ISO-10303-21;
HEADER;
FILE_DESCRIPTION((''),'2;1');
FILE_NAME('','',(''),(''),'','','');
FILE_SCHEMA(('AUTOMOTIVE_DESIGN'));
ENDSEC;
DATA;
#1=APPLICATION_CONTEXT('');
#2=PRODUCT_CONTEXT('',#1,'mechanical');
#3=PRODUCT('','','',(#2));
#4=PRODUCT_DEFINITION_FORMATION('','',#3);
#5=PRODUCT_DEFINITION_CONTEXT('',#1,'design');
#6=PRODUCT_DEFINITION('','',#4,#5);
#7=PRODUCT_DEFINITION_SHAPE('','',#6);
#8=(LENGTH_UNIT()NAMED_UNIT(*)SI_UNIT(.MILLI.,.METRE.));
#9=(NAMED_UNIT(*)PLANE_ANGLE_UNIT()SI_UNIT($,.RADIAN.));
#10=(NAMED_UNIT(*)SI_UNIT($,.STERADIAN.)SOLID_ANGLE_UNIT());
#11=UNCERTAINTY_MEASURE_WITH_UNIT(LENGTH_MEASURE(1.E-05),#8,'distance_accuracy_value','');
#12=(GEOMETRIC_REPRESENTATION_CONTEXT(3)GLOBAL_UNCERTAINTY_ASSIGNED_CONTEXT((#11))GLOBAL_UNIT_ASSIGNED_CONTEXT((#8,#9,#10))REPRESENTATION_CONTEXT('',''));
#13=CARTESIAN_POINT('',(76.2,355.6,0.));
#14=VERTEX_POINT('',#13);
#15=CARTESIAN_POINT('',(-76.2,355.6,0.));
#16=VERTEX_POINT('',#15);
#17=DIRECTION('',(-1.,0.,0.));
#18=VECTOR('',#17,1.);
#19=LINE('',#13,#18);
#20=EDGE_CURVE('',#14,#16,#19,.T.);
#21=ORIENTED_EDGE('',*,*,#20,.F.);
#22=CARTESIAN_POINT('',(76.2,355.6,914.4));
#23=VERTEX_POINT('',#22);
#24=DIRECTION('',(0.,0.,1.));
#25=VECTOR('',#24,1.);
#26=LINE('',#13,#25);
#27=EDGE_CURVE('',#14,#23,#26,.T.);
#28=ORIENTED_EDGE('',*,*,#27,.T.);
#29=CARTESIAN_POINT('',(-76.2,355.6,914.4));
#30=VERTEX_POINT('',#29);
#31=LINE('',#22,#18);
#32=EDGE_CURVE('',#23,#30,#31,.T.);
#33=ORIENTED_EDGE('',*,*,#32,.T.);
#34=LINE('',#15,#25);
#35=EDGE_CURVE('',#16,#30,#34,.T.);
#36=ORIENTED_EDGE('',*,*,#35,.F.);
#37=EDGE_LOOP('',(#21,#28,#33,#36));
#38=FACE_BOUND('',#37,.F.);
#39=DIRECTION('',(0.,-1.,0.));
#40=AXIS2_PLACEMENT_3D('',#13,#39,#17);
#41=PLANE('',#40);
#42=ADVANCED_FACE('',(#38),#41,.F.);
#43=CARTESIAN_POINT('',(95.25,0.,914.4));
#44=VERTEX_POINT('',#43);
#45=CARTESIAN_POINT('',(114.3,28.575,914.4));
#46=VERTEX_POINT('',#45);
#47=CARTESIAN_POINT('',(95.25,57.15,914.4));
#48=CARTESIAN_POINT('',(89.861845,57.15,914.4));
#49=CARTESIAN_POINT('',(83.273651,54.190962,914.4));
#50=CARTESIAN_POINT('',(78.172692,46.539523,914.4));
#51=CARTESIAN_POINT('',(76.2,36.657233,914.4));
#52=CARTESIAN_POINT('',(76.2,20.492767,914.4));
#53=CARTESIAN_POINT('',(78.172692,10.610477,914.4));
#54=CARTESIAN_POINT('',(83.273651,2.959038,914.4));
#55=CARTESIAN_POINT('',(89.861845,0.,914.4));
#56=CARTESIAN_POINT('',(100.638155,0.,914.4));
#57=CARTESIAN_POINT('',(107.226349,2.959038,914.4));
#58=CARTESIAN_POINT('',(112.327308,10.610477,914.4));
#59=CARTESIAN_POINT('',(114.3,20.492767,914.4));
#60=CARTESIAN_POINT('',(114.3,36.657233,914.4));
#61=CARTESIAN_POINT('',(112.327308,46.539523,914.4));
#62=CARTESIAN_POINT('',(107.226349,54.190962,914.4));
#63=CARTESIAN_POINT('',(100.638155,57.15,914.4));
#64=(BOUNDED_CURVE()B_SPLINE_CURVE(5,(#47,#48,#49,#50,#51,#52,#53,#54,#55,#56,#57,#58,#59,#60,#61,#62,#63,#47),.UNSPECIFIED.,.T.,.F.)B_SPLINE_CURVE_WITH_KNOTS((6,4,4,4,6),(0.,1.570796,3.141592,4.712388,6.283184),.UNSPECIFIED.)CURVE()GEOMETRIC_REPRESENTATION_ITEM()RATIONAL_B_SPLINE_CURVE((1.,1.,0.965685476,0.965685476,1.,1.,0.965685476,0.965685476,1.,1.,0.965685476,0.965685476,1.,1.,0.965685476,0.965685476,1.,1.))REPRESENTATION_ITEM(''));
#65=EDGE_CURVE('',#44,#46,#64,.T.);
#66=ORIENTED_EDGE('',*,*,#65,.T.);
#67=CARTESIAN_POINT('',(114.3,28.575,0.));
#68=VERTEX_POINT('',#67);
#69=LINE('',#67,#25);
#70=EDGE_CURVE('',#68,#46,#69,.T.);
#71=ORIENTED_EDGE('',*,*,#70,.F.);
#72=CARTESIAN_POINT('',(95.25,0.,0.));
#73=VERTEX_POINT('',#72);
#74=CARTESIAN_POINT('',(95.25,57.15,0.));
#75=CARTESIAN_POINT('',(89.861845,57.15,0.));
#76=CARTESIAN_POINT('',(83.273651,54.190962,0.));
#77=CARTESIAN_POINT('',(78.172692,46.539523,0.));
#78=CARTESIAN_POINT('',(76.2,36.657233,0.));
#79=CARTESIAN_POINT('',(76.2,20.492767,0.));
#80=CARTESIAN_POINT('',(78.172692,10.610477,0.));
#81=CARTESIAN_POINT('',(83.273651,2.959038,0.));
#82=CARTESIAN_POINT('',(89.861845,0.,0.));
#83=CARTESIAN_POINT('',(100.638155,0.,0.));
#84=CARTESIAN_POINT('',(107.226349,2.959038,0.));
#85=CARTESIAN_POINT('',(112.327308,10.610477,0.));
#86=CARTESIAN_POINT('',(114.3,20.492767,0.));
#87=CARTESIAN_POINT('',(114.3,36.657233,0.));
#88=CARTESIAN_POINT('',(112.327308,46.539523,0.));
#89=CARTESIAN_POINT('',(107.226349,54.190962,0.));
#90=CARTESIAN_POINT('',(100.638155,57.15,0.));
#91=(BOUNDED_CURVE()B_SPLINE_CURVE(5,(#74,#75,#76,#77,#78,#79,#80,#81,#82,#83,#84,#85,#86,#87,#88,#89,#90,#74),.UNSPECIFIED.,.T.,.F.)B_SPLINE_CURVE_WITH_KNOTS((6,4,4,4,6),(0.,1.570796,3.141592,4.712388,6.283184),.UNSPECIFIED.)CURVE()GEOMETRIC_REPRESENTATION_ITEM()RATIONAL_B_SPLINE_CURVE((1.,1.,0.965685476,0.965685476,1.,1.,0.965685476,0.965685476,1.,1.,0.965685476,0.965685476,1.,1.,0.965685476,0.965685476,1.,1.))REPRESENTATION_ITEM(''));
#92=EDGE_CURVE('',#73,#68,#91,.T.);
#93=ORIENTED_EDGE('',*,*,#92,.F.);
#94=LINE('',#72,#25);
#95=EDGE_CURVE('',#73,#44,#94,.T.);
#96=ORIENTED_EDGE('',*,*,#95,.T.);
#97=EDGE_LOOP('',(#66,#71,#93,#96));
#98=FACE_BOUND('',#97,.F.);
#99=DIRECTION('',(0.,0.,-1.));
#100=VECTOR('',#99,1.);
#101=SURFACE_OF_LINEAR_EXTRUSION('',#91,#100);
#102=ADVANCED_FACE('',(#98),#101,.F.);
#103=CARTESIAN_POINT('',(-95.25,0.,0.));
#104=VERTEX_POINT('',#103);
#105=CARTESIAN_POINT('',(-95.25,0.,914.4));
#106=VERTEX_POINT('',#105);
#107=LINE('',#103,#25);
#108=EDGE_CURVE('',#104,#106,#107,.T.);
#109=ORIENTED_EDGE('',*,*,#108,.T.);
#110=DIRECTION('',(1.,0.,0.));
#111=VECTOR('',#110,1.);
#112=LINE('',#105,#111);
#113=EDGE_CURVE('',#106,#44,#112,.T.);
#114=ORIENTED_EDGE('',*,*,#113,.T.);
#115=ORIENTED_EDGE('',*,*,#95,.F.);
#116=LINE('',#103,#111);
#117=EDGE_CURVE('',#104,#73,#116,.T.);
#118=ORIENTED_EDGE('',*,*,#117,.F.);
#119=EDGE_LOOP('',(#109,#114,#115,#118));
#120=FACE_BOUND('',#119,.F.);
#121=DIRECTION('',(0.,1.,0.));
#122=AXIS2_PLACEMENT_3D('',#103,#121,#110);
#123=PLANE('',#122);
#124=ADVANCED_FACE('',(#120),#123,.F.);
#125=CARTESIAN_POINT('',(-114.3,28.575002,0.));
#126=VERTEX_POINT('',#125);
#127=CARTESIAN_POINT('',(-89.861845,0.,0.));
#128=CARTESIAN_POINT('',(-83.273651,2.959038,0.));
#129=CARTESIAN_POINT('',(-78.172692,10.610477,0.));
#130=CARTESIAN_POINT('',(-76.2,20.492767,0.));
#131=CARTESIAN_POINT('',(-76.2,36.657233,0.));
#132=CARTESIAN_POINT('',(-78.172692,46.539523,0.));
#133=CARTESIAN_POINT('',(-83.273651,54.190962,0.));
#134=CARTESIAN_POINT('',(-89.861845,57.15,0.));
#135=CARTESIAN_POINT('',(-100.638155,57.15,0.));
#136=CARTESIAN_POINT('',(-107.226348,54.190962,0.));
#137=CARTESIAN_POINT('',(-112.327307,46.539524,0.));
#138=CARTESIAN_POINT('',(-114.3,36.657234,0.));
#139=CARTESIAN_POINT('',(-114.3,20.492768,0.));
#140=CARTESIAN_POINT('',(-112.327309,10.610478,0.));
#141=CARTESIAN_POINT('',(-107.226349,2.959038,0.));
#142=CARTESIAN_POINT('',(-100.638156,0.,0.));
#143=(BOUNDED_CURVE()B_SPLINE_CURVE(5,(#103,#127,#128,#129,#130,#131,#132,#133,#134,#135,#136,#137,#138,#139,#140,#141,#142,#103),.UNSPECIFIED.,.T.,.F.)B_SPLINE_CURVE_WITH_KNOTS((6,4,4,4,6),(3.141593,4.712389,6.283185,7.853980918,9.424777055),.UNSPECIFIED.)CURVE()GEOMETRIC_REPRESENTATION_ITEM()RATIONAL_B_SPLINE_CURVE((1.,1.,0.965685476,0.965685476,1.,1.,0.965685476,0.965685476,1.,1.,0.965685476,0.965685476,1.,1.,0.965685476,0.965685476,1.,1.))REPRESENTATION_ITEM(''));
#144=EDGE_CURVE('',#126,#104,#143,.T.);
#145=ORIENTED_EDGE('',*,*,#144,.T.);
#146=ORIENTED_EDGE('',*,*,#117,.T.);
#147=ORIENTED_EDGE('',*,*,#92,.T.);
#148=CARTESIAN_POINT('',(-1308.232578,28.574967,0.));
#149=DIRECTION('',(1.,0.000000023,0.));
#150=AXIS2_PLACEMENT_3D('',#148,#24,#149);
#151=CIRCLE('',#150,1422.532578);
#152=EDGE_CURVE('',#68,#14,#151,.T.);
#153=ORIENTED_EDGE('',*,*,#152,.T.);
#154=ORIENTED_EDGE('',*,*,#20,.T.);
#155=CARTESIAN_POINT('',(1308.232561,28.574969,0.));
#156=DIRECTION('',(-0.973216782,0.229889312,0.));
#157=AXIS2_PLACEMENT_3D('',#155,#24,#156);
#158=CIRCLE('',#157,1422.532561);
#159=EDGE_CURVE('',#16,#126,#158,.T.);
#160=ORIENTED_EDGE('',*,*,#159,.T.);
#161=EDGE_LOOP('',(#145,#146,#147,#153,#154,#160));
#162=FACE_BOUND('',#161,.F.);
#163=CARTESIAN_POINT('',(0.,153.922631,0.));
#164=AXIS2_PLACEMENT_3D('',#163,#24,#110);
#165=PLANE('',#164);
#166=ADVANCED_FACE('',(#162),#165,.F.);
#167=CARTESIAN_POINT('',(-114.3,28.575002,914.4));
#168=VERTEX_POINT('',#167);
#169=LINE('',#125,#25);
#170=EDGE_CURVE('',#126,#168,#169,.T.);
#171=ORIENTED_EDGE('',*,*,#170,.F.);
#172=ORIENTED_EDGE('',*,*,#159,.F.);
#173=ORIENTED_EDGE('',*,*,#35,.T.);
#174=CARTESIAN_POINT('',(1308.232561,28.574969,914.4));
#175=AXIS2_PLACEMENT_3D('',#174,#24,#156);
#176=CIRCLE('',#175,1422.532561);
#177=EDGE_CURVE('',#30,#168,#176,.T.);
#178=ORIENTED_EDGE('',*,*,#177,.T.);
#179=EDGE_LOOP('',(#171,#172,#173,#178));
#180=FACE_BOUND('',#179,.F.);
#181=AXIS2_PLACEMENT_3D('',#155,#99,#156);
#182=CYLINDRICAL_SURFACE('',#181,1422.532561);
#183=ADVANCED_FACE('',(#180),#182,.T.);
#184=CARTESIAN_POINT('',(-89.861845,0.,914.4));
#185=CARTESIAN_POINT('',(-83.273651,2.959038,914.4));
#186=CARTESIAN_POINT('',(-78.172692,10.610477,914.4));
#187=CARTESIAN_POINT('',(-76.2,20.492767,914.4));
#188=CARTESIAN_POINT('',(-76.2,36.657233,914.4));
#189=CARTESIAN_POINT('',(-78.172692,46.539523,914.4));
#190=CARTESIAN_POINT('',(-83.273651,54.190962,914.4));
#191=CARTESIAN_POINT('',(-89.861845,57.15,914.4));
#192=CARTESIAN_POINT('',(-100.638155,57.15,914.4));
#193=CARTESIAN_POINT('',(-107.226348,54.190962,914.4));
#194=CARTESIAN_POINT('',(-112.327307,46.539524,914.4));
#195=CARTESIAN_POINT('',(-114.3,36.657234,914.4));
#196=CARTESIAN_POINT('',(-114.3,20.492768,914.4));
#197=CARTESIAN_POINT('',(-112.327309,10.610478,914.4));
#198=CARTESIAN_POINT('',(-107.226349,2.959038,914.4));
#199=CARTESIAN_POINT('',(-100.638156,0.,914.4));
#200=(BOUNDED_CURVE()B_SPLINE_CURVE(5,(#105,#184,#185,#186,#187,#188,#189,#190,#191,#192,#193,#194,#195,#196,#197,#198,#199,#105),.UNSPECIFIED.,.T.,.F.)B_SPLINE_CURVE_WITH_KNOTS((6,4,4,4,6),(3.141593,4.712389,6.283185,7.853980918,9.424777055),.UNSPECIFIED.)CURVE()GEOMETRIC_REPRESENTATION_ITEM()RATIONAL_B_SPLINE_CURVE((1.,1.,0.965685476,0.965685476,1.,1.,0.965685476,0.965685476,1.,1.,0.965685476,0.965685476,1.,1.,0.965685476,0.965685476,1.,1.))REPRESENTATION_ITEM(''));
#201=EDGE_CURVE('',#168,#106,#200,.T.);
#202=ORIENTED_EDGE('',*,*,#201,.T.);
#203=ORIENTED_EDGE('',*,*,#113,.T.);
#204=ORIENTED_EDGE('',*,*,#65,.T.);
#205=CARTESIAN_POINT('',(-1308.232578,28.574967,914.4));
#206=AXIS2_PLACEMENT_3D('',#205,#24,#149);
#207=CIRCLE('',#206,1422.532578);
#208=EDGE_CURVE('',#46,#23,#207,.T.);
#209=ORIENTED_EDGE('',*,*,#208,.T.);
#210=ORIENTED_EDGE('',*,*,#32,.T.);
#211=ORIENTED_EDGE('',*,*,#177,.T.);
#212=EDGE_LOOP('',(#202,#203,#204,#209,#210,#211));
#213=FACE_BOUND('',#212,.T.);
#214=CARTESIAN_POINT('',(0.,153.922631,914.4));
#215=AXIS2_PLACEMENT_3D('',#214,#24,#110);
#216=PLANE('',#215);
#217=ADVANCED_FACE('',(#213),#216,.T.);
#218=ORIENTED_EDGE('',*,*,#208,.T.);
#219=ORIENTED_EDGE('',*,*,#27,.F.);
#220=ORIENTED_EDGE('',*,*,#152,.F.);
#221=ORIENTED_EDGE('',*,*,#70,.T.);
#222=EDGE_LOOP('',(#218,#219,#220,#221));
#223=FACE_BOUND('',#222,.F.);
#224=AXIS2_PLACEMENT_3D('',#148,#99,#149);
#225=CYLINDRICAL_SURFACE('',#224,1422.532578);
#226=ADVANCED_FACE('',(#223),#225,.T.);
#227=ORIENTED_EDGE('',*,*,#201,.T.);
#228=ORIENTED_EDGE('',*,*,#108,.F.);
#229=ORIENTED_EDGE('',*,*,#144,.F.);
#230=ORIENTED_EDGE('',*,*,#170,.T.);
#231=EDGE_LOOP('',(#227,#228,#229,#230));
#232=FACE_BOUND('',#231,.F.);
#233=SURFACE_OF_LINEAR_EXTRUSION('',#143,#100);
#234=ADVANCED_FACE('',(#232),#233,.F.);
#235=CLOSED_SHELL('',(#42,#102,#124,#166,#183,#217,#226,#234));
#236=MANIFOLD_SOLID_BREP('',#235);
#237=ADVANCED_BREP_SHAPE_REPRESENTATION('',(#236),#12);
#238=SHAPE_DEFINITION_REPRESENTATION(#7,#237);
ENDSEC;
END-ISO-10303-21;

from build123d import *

# Parameters (mm, degrees)
F1_DEPTH = 914.4


with BuildPart() as f1:
    # F0 (on Top) → F1 (new body)
    with BuildSketch(Plane.XY):
        with BuildLine():
            Line((76.2, 355.6), (-76.2, 355.6))
            ThreePointArc((-76.2, 355.6), (-104.742894, 193.193469), (-114.3, 28.575002))
            add(Edge.make_bspline(
                [(-95.25, 57.15), (-114.299999, 57.15), (-114.3, 28.575002)],
                knots=[0, 0, 0, 1.570796, 1.570796, 1.570796], degree=2, weights=[1, 0.707107, 1]))
            add(Edge.make_bspline(
                [(-95.25, 0), (-76.2, 0), (-76.2, 28.575), (-76.2, 57.15), (-95.25, 57.15)],
                knots=[3.141593, 3.141593, 3.141593, 4.712389, 4.712389, 6.283185, 6.283185, 6.283185], degree=2, weights=[1, 0.707107, 1, 0.707107, 1]))
            Line((-95.25, 0), (95.25, 0))
            add(Edge.make_bspline(
                [(95.25, 57.15), (76.2, 57.15), (76.2, 28.575), (76.2, 0), (95.25, 0)],
                knots=[0, 0, 0, 1.570796, 1.570796, 3.141593, 3.141593, 3.141593], degree=2, weights=[1, 0.707107, 1, 0.707107, 1]))
            add(Edge.make_bspline(
                [(114.3, 28.575), (114.3, 57.15), (95.25, 57.15)],
                knots=[4.712389, 4.712389, 4.712389, 6.283185, 6.283185, 6.283185], degree=2, weights=[1, 0.707107, 1]))
            ThreePointArc((114.3, 28.575), (104.742894, 193.193468), (76.2, 355.6))
        make_face()
        with BuildLine():
            add(Edge.make_bspline(
                [(-95.25, 57.15), (-114.299999, 57.15), (-114.3, 28.575002)],
                knots=[0, 0, 0, 1.570796, 1.570796, 1.570796], degree=2, weights=[1, 0.707107, 1]))
            add(Edge.make_bspline(
                [(-114.3, 28.575002), (-114.300001, 0), (-95.25, 0)],
                knots=[1.570796, 1.570796, 1.570796, 3.141593, 3.141593, 3.141593], degree=2, weights=[1, 0.707107, 1]))
            add(Edge.make_bspline(
                [(-95.25, 0), (-76.2, 0), (-76.2, 28.575), (-76.2, 57.15), (-95.25, 57.15)],
                knots=[3.141593, 3.141593, 3.141593, 4.712389, 4.712389, 6.283185, 6.283185, 6.283185], degree=2, weights=[1, 0.707107, 1, 0.707107, 1]))
        make_face()
        with BuildLine():
            add(Edge.make_bspline(
                [(95.25, 0), (114.3, 0), (114.3, 28.575)],
                knots=[3.141593, 3.141593, 3.141593, 4.712389, 4.712389, 4.712389], degree=2, weights=[1, 0.707107, 1]))
            add(Edge.make_bspline(
                [(114.3, 28.575), (114.3, 57.15), (95.25, 57.15)],
                knots=[4.712389, 4.712389, 4.712389, 6.283185, 6.283185, 6.283185], degree=2, weights=[1, 0.707107, 1]))
            add(Edge.make_bspline(
                [(95.25, 57.15), (76.2, 57.15), (76.2, 28.575), (76.2, 0), (95.25, 0)],
                knots=[0, 0, 0, 1.570796, 1.570796, 3.141593, 3.141593, 3.141593], degree=2, weights=[1, 0.707107, 1, 0.707107, 1]))
        make_face()
    extrude(amount=F1_DEPTH)


solid = f1.part
